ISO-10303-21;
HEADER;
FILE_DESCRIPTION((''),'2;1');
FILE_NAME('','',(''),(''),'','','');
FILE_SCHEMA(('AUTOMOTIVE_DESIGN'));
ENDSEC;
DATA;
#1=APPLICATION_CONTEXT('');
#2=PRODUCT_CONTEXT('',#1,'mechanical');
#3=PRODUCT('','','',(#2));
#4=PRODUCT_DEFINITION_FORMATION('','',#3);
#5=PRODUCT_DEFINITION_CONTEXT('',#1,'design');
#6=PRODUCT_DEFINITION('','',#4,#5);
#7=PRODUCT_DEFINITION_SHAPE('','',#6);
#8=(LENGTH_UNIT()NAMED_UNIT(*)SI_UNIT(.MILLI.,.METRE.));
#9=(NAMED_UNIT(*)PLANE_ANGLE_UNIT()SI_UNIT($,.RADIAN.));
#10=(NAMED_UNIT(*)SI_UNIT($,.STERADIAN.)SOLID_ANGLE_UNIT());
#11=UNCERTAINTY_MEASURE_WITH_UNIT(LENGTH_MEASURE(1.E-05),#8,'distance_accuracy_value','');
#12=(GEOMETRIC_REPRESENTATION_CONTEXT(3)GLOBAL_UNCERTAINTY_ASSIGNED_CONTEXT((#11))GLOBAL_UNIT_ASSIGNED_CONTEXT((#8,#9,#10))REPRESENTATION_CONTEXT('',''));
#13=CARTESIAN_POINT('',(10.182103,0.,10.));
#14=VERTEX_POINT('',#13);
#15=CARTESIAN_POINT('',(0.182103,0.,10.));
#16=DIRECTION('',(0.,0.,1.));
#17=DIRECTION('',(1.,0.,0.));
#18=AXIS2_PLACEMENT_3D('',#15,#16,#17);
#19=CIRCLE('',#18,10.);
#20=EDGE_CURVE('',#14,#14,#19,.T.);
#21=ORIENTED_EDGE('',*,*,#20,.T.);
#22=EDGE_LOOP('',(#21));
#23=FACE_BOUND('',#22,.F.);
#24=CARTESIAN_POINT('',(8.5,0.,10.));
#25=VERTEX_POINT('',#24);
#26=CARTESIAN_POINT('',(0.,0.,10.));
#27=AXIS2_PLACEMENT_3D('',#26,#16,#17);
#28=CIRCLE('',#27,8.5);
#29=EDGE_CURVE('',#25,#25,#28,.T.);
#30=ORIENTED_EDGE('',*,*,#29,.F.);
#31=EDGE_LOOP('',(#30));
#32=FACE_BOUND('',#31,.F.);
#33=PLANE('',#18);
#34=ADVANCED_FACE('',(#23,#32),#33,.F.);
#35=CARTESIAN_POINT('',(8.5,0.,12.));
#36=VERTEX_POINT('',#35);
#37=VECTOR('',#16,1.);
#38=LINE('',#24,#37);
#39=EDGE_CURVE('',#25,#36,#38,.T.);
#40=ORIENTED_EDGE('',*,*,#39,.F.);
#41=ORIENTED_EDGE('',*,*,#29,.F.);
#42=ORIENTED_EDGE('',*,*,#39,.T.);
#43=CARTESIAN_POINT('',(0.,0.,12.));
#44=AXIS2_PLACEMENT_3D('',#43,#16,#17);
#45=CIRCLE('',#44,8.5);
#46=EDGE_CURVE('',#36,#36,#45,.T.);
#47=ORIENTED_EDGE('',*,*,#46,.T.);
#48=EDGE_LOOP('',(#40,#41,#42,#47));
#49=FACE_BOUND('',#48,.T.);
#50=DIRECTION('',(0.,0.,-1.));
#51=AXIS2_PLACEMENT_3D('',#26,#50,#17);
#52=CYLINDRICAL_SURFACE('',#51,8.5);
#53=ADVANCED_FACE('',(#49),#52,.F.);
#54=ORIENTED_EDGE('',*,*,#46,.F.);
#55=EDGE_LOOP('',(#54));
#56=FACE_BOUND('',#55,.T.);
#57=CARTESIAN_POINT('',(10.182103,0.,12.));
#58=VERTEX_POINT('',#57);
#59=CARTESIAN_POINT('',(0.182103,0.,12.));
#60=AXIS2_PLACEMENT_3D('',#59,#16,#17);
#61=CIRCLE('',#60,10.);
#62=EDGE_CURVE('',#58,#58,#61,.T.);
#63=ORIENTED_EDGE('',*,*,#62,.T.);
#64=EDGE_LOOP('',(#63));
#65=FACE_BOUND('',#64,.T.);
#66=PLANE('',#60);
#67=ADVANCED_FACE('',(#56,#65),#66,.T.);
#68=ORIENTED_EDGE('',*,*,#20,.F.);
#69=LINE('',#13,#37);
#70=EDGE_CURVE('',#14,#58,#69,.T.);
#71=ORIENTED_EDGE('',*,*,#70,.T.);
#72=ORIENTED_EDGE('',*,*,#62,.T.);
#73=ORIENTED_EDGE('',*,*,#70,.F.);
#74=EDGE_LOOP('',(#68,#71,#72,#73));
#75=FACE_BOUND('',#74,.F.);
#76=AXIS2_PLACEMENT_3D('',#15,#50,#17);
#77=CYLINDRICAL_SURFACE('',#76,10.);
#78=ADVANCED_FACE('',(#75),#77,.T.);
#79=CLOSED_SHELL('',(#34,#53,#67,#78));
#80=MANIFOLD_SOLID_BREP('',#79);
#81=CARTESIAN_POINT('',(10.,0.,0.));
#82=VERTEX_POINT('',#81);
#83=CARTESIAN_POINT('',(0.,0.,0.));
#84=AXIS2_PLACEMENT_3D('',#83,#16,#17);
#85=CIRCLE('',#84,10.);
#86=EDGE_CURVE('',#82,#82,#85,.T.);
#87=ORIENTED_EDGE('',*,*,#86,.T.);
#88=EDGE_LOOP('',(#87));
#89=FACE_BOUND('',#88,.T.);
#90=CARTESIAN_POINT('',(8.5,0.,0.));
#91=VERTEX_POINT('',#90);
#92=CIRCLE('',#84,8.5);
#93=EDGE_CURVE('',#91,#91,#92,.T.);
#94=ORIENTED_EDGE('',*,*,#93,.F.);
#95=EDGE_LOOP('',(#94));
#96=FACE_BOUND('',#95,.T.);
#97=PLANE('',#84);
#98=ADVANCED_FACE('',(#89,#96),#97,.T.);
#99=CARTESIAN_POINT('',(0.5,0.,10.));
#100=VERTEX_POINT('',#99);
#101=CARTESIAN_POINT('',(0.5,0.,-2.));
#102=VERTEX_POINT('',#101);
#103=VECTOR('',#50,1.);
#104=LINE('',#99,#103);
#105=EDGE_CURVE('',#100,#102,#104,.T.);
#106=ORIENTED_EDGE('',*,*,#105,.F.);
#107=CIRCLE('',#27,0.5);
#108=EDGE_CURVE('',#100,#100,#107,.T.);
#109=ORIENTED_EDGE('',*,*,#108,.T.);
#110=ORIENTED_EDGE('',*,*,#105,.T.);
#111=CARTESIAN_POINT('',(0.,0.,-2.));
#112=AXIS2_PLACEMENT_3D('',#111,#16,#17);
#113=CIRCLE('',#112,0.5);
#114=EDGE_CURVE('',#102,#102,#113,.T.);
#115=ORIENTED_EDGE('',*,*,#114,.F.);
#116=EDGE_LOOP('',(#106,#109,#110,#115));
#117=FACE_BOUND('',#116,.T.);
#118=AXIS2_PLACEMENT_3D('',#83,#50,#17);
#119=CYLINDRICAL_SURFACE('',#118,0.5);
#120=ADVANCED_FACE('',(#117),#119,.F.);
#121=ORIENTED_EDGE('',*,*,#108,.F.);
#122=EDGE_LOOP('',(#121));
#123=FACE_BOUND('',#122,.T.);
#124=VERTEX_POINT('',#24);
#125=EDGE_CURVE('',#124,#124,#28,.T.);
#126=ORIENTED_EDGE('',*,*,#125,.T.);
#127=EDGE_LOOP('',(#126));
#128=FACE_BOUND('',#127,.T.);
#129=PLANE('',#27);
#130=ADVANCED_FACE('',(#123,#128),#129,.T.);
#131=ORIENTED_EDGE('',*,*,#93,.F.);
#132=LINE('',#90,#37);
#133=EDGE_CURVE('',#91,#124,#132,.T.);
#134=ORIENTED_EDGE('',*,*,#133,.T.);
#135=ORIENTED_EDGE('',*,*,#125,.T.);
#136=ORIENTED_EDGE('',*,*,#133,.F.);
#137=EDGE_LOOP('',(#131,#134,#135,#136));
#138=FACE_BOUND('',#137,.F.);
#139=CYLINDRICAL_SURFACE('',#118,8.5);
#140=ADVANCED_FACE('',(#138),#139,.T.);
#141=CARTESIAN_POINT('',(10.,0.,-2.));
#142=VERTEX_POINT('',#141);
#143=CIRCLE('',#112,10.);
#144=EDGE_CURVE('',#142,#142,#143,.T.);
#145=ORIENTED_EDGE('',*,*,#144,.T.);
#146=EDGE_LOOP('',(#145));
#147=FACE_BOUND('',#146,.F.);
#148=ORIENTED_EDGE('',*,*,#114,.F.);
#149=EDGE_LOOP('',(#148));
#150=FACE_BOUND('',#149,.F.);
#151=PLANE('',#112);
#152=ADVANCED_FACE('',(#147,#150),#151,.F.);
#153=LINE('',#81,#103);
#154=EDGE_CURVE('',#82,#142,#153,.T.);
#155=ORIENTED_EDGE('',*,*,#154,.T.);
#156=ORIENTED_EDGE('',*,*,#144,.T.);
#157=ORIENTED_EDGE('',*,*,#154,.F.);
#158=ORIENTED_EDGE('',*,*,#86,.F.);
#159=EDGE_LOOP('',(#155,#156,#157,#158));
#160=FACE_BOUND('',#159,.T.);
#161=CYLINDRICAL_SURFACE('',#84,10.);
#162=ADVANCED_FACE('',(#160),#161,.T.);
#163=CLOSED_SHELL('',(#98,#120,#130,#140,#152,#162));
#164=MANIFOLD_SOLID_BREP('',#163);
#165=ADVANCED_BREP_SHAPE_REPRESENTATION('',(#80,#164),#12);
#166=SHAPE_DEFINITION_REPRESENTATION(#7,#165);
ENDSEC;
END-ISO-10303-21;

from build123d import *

# Parameters (mm, degrees)
F0_R     = 10
F0_R_2   = 0.5
F1_DEPTH = 2
F2_R     = 8.5
F2_R_2   = 0.5
F3_DEPTH = 10
F4_R     = 10
F4_R_2   = 8.5
F5_DEPTH = 2


with BuildPart() as f1:
    # F0 (on Top) → F1 (new body)
    with BuildSketch(Plane.XY):
        Circle(F0_R)
        Circle(F0_R_2, mode=Mode.SUBTRACT)
    extrude(amount=-F1_DEPTH)

    # F2 (on face) → F3 (join)
    with BuildSketch(Plane.XY):
        Circle(F2_R)
        Circle(F2_R_2, mode=Mode.SUBTRACT)
    extrude(amount=F3_DEPTH)


with BuildPart() as f5:
    # F4 (on face) → F5 (new body)
    with BuildSketch(Plane.XY.offset(10)):
        with Locations((0.182103, 0)):
            Circle(F4_R)
        Circle(F4_R_2, mode=Mode.SUBTRACT)
    extrude(amount=F5_DEPTH)


solid = Compound([f1.part, f5.part])
